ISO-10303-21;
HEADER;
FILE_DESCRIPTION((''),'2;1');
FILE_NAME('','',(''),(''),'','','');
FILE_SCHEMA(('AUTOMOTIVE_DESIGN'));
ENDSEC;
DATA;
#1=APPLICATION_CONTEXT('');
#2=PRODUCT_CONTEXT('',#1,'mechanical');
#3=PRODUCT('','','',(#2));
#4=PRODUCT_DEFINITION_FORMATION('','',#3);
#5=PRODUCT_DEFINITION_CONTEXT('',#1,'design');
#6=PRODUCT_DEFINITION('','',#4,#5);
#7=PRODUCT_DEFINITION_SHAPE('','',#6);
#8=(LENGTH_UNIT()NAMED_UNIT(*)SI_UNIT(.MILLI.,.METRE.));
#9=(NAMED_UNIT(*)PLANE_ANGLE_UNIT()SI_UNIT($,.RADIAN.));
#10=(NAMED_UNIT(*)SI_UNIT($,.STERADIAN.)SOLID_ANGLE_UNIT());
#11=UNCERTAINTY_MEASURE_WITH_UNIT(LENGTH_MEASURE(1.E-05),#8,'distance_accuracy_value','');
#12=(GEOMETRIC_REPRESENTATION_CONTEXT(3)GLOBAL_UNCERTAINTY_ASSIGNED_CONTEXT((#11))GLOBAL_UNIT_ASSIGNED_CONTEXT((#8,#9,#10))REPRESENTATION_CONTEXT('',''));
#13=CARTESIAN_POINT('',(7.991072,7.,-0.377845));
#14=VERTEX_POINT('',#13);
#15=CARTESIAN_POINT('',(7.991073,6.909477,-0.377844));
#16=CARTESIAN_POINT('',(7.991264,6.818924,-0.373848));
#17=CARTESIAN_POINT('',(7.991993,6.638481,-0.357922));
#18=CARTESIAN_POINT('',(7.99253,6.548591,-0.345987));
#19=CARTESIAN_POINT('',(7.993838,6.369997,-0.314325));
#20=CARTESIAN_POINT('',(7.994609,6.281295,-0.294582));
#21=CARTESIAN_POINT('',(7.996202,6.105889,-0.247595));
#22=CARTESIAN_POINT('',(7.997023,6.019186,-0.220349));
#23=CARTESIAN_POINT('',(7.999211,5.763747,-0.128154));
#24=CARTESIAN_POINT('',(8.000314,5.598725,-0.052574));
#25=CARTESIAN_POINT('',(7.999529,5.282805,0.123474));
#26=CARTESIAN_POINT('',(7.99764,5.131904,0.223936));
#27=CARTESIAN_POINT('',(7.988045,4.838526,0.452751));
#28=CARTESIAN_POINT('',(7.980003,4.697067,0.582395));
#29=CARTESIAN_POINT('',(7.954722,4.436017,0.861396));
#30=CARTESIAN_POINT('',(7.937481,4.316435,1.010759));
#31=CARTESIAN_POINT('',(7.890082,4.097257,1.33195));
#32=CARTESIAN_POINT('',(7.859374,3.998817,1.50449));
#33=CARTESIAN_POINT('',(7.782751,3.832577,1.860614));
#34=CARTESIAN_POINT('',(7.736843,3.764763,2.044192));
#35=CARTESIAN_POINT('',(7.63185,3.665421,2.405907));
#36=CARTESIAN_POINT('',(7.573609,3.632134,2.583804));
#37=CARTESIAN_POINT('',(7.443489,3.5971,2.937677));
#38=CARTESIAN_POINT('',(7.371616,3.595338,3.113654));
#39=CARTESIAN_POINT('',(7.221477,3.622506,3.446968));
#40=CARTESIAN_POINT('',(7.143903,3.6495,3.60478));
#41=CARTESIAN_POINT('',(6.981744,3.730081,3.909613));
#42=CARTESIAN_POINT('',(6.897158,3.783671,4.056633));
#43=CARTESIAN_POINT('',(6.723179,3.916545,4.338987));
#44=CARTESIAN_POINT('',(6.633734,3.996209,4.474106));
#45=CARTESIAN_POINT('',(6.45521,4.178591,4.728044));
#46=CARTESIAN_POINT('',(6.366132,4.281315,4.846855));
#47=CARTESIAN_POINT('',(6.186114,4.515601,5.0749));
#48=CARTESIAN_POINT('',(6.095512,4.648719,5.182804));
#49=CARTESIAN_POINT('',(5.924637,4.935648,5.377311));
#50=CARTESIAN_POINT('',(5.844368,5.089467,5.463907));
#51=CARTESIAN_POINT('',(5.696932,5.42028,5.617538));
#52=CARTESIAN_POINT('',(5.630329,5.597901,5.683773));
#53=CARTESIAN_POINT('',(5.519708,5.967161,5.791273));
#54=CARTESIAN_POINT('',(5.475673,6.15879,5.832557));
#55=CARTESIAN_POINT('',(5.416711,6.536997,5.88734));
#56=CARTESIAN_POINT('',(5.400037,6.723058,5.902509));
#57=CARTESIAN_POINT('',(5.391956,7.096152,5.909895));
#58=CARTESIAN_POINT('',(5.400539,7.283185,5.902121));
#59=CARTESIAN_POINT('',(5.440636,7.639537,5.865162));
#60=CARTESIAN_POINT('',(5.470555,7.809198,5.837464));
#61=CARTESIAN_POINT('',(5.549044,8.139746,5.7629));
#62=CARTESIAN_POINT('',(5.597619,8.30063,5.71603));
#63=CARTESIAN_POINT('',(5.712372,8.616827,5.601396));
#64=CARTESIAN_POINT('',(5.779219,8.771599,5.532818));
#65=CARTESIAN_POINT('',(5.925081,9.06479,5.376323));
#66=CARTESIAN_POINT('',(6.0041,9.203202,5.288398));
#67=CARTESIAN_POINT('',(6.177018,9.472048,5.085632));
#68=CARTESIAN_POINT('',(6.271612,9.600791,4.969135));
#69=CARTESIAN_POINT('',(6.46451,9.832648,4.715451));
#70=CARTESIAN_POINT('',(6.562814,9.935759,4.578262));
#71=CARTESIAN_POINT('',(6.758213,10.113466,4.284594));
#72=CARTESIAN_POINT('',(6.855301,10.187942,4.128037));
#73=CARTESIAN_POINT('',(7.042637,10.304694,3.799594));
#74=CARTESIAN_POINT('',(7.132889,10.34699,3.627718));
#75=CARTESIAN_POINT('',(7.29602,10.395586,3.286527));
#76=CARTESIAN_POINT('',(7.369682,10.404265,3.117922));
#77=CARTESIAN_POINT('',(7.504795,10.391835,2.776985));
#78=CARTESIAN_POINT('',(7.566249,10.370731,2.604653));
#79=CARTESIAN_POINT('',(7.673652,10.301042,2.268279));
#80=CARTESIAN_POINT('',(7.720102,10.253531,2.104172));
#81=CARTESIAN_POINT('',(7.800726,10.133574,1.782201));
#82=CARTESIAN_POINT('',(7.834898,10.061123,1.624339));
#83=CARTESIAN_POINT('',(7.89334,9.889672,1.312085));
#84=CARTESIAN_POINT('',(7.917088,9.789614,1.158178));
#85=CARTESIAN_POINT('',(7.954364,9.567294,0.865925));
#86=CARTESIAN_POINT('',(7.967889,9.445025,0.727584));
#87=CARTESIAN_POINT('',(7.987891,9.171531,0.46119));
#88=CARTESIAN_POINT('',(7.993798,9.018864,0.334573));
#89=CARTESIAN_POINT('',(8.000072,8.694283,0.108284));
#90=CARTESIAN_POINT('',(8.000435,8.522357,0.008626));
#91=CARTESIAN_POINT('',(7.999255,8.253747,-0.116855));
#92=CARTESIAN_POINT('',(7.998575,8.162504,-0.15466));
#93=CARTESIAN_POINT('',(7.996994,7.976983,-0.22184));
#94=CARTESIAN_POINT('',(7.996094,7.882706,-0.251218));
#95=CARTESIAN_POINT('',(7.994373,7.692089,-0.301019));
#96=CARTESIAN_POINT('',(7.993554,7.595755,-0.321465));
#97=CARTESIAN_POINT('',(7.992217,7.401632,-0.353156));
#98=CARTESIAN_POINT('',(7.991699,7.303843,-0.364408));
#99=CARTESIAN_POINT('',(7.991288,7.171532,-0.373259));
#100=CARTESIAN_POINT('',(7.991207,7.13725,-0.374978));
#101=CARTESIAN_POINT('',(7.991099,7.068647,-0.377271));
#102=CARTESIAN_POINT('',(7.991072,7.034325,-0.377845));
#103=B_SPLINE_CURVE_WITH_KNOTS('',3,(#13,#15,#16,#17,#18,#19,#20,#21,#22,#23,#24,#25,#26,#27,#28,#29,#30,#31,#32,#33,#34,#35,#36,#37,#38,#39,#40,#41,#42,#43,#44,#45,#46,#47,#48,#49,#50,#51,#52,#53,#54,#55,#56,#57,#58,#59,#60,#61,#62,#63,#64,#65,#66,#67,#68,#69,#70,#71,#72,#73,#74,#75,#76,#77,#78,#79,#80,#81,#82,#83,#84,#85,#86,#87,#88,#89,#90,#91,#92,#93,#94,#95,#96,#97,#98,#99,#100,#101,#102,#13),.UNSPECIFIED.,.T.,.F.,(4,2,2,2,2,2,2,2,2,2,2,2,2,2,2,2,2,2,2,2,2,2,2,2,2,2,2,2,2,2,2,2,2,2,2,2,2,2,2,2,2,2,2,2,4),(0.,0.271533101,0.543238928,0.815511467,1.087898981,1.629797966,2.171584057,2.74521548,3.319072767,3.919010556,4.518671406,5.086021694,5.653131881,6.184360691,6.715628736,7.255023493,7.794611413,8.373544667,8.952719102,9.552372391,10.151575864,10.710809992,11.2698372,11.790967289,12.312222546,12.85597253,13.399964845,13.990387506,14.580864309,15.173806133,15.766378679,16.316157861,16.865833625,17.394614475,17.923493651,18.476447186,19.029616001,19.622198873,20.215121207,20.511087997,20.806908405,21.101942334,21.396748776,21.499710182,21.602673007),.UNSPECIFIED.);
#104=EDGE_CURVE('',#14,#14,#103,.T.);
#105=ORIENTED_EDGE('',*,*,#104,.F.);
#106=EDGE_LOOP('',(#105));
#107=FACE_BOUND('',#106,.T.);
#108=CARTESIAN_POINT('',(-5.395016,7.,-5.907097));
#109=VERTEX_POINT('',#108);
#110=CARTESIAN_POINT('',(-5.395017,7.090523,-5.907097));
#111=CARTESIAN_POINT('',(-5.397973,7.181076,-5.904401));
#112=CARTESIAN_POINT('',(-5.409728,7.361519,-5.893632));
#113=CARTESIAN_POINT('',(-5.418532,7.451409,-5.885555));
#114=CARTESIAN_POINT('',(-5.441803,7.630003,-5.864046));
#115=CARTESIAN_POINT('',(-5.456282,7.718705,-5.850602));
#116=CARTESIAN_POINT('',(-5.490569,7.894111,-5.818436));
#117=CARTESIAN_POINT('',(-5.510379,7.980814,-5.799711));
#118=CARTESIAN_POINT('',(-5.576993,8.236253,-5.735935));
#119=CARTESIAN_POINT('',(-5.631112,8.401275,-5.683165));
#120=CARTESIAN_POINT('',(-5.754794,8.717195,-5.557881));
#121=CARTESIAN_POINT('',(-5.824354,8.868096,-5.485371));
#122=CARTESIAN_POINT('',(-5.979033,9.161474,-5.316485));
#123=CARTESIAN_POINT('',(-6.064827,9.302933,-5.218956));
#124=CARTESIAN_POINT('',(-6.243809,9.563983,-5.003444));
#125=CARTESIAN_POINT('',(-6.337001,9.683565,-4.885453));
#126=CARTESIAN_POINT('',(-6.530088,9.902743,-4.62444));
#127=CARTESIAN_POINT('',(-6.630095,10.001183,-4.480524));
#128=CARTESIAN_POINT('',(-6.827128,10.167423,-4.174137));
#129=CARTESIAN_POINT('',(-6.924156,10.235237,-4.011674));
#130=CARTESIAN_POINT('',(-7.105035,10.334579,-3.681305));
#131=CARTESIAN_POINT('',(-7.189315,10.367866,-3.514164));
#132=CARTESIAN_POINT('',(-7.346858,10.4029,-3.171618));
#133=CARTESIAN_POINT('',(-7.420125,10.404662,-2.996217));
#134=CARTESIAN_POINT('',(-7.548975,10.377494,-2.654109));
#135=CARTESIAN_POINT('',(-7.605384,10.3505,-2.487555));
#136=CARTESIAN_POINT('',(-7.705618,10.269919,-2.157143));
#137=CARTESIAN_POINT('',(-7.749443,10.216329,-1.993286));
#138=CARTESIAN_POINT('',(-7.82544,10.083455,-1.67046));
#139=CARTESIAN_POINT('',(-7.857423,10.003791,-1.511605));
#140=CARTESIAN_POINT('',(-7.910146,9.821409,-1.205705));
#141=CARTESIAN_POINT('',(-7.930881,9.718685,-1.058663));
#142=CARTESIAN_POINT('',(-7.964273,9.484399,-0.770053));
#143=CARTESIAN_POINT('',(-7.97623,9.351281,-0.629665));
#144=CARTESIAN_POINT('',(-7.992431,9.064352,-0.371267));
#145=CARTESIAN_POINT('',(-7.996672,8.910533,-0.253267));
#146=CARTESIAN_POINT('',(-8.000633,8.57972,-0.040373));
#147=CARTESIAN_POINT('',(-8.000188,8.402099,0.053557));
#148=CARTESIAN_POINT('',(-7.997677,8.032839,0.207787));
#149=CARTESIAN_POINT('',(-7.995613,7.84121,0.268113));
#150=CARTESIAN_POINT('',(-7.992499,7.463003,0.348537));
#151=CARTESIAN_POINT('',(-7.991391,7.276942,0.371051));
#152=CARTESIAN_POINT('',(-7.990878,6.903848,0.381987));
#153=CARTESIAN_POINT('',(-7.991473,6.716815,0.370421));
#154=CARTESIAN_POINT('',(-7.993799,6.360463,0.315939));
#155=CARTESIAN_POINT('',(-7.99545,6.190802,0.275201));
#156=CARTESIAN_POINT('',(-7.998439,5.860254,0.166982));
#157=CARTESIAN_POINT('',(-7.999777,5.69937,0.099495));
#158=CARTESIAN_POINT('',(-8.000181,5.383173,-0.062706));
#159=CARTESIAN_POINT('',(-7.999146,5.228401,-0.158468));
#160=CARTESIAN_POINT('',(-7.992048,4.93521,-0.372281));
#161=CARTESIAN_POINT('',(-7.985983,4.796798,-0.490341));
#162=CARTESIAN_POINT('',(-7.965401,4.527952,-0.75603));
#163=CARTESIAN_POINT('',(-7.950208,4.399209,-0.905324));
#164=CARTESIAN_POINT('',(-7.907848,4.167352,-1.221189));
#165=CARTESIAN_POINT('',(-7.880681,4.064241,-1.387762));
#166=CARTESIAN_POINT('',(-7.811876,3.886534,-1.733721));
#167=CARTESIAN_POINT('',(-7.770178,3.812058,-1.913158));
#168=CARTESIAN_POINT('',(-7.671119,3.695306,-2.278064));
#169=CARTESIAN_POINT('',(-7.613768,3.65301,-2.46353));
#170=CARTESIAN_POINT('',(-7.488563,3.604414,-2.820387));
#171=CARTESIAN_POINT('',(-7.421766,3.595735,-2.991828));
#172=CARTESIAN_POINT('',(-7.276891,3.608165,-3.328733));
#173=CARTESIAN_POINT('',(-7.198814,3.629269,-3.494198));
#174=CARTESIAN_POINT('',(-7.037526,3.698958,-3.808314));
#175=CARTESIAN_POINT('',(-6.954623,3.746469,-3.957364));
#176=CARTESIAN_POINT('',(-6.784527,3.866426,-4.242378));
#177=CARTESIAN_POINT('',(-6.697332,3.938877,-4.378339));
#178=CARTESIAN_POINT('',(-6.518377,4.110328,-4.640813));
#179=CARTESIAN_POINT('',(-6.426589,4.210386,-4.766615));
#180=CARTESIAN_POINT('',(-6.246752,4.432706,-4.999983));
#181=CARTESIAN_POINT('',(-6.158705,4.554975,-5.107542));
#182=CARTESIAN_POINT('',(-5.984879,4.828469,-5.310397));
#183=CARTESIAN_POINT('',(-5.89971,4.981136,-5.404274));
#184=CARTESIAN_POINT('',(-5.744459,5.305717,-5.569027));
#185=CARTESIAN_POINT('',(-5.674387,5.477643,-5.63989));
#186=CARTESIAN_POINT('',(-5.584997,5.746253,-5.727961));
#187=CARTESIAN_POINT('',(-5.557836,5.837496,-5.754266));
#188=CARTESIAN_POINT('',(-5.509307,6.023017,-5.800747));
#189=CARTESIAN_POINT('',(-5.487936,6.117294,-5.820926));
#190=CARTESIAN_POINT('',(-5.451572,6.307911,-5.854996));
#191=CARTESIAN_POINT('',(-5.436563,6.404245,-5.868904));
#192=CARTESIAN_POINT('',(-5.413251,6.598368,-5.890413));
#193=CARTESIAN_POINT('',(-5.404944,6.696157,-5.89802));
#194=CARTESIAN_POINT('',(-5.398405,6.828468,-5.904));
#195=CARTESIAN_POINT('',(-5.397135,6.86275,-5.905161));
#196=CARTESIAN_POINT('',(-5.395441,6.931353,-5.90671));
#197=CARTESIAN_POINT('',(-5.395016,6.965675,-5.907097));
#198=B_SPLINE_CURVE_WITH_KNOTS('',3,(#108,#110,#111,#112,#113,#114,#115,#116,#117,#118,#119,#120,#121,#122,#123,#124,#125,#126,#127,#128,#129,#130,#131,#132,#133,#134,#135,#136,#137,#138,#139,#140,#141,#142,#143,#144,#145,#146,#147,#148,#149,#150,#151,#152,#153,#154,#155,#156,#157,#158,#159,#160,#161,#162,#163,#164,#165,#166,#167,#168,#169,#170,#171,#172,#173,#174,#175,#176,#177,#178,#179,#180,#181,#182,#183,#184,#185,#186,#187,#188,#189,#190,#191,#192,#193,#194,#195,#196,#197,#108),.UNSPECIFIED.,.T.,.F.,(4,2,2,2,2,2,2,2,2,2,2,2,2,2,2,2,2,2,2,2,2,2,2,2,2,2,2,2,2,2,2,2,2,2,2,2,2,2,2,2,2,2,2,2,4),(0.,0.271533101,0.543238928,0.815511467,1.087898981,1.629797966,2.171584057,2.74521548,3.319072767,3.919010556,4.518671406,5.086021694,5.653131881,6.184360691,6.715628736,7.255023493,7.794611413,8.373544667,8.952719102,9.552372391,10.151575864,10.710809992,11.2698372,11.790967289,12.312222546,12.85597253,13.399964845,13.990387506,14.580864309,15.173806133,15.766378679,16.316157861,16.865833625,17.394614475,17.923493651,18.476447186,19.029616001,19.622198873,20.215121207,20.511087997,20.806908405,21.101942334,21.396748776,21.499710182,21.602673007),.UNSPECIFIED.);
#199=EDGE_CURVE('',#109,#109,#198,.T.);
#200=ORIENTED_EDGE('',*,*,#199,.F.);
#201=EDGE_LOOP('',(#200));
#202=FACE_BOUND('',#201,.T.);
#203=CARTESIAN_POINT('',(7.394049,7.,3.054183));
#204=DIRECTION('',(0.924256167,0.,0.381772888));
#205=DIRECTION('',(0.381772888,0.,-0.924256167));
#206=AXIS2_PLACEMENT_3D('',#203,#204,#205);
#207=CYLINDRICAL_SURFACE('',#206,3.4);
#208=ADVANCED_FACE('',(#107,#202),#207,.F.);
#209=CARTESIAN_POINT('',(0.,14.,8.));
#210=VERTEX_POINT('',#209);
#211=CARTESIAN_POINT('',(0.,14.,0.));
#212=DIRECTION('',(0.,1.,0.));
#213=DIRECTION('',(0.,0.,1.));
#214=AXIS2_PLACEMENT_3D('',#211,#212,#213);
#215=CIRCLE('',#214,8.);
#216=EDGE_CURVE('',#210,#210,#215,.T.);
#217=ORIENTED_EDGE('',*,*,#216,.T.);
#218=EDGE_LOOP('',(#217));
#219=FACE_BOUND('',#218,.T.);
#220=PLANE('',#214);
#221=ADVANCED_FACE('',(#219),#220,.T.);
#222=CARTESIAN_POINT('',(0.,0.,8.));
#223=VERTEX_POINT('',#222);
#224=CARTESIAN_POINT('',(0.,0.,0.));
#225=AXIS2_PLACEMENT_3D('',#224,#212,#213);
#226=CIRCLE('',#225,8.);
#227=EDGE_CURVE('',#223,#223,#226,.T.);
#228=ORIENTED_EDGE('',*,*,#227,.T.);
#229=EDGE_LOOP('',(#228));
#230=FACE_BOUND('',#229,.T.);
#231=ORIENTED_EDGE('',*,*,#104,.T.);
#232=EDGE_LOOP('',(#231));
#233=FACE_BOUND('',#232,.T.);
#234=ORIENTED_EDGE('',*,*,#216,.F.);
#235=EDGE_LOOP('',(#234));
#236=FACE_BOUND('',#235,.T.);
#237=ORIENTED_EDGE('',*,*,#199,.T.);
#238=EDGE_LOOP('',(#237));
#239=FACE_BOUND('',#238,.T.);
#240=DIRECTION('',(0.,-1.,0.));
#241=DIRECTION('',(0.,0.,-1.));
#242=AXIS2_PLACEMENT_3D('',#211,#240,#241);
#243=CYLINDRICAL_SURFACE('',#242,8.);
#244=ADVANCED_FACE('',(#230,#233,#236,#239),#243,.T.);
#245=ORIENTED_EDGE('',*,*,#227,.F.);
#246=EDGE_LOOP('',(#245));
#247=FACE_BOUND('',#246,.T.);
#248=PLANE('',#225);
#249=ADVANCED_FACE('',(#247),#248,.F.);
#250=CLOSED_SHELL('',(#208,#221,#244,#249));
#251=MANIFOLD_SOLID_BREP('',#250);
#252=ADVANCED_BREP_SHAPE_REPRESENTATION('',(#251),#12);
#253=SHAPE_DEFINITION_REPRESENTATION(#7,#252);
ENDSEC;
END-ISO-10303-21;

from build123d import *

# Parameters (mm, degrees)
SKETCH1_R           = 8
BOSS_EXTRUDE1_DEPTH = 14
M8_TAPPED_HOLE1_D   = 6.8


with BuildPart() as part:
    # Sketch1 → Boss-Extrude1 (new body)
    with BuildSketch(Plane(origin=(0, 0, 0), x_dir=(1, 0, 0), z_dir=(0, 1, 0))):
        Circle(SKETCH1_R)
    extrude(amount=BOSS_EXTRUDE1_DEPTH)

    # M8 Tapped Hole1 (through all)
    with Locations(Plane(origin=(7.394049334, 7, 3.054183107), x_dir=(-0.381772888, 0, 0.924256167), z_dir=(0.924256167, 0, 0.381772888))):
        with Locations((0, 0)):
            Hole(M8_TAPPED_HOLE1_D / 2)


solid = part.part
